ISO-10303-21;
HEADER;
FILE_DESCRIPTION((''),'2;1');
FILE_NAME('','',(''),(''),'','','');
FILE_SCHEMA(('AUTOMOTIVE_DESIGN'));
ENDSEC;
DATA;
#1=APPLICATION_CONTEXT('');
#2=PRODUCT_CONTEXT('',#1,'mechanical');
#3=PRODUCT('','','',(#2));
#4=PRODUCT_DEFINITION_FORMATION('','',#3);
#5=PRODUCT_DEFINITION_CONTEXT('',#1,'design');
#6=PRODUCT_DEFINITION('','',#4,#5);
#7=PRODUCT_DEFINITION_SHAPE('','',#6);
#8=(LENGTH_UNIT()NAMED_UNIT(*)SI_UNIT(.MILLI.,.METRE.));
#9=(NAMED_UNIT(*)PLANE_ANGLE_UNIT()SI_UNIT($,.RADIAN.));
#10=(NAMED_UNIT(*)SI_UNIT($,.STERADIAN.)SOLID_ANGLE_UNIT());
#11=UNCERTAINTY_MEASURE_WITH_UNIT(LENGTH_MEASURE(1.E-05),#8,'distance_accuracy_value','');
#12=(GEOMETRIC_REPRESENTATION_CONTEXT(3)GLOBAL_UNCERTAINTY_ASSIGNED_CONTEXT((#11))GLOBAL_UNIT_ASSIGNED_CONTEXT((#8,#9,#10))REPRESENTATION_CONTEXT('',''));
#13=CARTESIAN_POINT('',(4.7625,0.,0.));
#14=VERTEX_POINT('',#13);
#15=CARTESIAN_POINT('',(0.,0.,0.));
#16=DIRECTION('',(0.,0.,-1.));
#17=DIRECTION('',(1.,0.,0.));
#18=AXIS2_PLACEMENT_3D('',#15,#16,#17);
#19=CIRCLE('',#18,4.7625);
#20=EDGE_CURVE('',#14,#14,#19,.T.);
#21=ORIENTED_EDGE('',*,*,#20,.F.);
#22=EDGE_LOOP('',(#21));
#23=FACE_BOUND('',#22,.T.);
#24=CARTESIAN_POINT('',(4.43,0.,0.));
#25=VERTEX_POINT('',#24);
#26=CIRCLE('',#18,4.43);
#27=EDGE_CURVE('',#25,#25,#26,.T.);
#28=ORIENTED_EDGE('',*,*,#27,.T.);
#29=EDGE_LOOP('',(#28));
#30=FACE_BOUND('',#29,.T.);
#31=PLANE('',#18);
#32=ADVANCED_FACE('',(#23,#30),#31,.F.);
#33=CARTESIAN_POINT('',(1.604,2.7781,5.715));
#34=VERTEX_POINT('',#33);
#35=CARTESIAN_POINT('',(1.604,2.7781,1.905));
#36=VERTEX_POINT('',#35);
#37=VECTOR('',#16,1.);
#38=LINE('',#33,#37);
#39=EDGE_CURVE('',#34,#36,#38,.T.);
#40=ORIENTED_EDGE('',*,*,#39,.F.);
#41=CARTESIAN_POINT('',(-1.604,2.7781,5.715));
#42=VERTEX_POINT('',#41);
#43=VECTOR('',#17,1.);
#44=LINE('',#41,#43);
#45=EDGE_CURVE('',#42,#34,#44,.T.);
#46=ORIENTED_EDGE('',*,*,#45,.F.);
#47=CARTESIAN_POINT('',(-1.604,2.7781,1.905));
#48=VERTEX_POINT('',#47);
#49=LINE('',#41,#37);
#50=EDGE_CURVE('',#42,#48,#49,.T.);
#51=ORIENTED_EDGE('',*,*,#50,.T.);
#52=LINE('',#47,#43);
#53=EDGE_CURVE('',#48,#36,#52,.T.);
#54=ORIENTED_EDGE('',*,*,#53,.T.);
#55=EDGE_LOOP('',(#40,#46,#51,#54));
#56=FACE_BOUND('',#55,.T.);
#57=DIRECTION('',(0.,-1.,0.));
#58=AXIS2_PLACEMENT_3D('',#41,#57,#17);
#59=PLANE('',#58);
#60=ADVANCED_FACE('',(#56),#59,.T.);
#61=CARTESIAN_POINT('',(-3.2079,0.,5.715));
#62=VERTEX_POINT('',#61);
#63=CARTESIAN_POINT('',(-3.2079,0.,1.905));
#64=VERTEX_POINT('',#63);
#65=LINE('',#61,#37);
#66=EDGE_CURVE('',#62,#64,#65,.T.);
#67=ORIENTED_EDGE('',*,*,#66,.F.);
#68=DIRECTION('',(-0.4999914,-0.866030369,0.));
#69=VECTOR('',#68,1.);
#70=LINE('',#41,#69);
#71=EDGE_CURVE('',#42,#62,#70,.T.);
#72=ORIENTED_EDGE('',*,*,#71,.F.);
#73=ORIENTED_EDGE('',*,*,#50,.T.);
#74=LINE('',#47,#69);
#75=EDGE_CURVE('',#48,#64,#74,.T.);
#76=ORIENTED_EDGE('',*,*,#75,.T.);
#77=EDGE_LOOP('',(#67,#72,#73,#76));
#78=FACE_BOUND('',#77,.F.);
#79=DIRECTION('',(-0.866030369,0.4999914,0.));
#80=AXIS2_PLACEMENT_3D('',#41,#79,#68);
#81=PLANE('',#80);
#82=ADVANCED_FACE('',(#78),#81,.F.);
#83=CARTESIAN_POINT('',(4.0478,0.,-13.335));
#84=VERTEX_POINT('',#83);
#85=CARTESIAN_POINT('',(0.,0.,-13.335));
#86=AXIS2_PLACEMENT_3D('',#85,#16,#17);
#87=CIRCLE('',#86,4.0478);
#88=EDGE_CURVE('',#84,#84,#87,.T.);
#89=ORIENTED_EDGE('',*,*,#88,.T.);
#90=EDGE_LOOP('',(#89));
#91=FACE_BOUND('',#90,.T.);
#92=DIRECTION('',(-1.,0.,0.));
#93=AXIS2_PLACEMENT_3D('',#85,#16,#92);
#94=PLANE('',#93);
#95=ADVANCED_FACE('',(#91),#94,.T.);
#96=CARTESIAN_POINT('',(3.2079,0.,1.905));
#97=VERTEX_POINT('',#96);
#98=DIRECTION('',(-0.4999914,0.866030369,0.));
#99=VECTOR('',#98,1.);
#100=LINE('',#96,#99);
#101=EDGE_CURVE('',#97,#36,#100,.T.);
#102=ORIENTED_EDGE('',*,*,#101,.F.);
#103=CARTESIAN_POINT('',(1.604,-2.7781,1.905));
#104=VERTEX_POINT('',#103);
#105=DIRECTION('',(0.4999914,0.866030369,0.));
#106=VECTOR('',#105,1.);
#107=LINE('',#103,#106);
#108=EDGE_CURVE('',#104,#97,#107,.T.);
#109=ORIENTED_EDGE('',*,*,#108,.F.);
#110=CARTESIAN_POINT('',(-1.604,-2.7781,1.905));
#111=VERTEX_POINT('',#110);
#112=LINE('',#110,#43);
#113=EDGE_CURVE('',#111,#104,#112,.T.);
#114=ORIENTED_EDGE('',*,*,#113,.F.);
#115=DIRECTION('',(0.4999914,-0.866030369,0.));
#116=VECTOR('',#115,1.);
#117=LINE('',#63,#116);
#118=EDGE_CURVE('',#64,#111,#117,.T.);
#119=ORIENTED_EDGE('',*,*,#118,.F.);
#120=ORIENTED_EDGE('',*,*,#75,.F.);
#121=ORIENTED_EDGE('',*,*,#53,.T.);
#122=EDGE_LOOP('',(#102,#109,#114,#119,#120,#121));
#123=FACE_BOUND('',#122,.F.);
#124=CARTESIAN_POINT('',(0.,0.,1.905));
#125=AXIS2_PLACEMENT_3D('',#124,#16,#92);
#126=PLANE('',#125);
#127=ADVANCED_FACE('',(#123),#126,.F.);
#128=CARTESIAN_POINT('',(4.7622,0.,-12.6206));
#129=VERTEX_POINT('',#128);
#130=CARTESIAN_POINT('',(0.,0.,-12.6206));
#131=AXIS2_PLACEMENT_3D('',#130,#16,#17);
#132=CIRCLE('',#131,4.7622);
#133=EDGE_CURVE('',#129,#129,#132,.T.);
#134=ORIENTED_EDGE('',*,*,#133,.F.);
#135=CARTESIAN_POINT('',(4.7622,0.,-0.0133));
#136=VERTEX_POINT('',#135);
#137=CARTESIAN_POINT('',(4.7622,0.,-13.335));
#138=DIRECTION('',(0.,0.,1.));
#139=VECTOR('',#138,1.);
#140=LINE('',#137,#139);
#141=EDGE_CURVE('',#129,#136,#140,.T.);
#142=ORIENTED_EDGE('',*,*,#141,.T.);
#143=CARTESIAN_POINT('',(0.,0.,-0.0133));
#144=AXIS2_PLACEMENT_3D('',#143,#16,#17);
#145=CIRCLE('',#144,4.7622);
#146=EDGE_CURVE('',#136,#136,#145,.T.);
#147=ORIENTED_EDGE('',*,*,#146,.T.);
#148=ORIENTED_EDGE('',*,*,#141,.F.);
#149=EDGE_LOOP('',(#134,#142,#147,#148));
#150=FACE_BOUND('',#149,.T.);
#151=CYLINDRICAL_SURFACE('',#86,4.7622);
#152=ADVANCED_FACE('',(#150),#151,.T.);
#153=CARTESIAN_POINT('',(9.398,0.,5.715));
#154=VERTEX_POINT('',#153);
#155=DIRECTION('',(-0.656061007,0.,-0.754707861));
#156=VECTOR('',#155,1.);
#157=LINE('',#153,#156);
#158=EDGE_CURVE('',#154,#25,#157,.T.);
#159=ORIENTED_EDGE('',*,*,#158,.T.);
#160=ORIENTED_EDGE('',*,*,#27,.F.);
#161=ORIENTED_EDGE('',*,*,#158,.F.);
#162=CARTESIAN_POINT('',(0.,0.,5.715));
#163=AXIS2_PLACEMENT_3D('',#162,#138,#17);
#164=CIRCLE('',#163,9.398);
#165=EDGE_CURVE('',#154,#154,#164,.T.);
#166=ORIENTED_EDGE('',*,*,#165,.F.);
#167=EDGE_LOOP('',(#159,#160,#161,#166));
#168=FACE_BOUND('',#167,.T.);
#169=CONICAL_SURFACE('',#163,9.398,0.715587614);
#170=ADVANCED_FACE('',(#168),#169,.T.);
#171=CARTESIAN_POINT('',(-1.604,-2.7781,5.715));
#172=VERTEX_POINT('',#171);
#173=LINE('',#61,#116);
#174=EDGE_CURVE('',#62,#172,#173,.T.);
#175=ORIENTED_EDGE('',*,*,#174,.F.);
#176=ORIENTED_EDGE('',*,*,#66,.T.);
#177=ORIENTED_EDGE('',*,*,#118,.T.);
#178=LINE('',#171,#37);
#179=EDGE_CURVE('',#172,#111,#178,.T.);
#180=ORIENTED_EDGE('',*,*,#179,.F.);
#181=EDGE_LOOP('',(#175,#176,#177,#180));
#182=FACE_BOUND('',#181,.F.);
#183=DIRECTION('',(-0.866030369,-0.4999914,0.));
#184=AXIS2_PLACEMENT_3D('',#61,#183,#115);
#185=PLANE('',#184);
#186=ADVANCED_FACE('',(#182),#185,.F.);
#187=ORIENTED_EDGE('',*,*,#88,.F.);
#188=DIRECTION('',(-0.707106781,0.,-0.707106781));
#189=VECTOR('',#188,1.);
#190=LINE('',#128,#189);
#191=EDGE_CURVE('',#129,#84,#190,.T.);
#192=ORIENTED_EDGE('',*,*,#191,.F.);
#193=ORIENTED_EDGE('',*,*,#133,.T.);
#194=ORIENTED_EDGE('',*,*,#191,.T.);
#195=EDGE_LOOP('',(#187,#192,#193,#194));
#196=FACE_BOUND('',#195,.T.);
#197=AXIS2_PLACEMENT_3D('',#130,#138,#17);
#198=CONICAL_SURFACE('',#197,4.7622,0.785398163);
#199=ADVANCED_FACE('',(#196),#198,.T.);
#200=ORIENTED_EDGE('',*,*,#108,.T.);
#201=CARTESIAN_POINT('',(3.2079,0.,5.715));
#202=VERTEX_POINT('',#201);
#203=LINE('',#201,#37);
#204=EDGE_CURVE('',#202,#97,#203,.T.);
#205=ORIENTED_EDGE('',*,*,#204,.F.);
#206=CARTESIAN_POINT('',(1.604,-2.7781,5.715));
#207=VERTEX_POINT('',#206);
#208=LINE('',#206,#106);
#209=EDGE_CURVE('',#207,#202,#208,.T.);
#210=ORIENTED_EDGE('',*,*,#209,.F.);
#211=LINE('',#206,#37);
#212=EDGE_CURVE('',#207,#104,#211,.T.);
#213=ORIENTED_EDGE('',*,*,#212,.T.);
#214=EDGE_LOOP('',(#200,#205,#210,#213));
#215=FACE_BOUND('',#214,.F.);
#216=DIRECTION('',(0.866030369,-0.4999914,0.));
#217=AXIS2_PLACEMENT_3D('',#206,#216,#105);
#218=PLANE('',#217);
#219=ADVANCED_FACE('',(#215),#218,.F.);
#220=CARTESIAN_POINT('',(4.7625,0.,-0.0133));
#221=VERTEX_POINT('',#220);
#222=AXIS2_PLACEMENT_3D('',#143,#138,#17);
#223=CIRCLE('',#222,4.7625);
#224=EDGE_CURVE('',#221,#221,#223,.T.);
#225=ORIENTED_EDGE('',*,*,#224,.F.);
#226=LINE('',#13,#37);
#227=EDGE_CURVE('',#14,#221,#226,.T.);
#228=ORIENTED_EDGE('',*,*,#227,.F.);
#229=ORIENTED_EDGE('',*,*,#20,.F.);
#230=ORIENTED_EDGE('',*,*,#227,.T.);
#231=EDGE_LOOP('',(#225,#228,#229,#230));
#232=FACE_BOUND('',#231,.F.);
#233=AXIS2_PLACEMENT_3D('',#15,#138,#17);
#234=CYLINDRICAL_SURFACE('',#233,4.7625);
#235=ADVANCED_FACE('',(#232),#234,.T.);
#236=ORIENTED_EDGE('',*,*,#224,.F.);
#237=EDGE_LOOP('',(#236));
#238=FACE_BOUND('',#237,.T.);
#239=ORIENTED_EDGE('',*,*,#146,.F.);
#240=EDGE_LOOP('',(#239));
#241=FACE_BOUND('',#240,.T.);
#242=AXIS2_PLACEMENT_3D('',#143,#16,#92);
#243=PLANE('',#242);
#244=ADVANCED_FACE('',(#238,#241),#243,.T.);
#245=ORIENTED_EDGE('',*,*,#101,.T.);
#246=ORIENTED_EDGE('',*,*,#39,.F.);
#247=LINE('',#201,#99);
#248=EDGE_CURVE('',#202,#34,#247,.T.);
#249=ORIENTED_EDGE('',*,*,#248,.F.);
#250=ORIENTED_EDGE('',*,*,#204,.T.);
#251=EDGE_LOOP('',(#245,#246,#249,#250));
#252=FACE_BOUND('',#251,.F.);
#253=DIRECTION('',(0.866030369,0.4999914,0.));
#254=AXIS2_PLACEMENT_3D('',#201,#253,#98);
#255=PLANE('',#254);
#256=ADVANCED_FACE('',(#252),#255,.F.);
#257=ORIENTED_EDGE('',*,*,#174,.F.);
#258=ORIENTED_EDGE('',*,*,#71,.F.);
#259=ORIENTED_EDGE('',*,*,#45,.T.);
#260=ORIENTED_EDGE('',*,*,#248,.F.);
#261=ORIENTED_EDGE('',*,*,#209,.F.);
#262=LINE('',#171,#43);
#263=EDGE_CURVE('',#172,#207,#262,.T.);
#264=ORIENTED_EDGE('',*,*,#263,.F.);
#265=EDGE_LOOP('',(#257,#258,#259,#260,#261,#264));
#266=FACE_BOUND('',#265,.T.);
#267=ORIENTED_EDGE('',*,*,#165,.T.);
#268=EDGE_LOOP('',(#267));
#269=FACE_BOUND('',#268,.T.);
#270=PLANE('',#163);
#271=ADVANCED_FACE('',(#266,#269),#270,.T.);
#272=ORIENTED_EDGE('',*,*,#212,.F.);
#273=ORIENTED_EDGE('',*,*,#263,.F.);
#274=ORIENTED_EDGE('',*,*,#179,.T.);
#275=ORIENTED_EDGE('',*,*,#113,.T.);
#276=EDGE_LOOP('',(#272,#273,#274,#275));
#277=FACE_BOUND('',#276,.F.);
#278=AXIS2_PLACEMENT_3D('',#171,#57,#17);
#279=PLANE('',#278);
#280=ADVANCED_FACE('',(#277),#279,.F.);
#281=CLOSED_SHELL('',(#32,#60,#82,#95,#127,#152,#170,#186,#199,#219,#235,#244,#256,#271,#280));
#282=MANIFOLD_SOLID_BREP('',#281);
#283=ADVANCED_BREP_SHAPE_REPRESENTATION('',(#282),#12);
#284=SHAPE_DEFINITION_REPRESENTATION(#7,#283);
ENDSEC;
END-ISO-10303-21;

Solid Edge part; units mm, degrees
sketch "Sketch1" plane through (0, 0, 0) normal (0, 0, 1) x (1, 0, 0)
  circle A0 centre (0, 0) radius 9.398
  dimension "D1" = 18.796
extrude "Protrusion1" add sketch "Sketch1" along normal blind 5.715
sketch "Sketch2" plane through (0, 0, 0) normal (0, 0, -1) x (1, 0, 0)
  circle A0 centre (0, 0) radius 4.7625
extrude "Protrusion2" add sketch "Sketch2" along normal blind 13.335
sketch "Sketch3" plane through (0, 0, -13.335) normal (0, 0, -1) x (1, 0, 0)
  circle A0 centre (0, 0) radius 4.7622
extrude "Cutout1" cut sketch "Sketch3" against normal blind 13.3217 flip side to cut
chamfer "Chamfer_1" distance 0.7144 angle 45 1 edges at (-4.7622, 0, -13.335)
sketch "Sketch4" plane through (0, 0, 5.715) normal (0, 0, 1) x (1, 0, 0)
  line L0 (-1.604, 2.7781) -> (1.604, 2.7781)
  line L1 (3.2079, 0) -> (1.604, 2.7781)
  line L2 (1.604, -2.7781) -> (3.2079, 0)
  line L3 (-1.604, -2.7781) -> (1.604, -2.7781)
  line L4 (-3.2079, 0) -> (-1.604, -2.7781)
  line L5 (-1.604, 2.7781) -> (-3.2079, 0)
  dimension "D1" = 5.5562
extrude "Cutout2" cut sketch "Sketch4" against normal blind 3.81
sketch "Sketch5" plane through (0, 0, 0) normal (0, -1, 0) x (1, 0, 0)
  line L0 (9.398, 5.715) -> (4.43, 0)
  line L1 (4.43, 0) -> (9.398, 0)
  line L2 (9.398, 0) -> (9.398, 5.715)
revolve "RevolvedCutout1" cut sketch "Sketch5" angle 360 about axis through (0, 0, 14.0017) along (0, 0, -1)
properties part number "116087"
